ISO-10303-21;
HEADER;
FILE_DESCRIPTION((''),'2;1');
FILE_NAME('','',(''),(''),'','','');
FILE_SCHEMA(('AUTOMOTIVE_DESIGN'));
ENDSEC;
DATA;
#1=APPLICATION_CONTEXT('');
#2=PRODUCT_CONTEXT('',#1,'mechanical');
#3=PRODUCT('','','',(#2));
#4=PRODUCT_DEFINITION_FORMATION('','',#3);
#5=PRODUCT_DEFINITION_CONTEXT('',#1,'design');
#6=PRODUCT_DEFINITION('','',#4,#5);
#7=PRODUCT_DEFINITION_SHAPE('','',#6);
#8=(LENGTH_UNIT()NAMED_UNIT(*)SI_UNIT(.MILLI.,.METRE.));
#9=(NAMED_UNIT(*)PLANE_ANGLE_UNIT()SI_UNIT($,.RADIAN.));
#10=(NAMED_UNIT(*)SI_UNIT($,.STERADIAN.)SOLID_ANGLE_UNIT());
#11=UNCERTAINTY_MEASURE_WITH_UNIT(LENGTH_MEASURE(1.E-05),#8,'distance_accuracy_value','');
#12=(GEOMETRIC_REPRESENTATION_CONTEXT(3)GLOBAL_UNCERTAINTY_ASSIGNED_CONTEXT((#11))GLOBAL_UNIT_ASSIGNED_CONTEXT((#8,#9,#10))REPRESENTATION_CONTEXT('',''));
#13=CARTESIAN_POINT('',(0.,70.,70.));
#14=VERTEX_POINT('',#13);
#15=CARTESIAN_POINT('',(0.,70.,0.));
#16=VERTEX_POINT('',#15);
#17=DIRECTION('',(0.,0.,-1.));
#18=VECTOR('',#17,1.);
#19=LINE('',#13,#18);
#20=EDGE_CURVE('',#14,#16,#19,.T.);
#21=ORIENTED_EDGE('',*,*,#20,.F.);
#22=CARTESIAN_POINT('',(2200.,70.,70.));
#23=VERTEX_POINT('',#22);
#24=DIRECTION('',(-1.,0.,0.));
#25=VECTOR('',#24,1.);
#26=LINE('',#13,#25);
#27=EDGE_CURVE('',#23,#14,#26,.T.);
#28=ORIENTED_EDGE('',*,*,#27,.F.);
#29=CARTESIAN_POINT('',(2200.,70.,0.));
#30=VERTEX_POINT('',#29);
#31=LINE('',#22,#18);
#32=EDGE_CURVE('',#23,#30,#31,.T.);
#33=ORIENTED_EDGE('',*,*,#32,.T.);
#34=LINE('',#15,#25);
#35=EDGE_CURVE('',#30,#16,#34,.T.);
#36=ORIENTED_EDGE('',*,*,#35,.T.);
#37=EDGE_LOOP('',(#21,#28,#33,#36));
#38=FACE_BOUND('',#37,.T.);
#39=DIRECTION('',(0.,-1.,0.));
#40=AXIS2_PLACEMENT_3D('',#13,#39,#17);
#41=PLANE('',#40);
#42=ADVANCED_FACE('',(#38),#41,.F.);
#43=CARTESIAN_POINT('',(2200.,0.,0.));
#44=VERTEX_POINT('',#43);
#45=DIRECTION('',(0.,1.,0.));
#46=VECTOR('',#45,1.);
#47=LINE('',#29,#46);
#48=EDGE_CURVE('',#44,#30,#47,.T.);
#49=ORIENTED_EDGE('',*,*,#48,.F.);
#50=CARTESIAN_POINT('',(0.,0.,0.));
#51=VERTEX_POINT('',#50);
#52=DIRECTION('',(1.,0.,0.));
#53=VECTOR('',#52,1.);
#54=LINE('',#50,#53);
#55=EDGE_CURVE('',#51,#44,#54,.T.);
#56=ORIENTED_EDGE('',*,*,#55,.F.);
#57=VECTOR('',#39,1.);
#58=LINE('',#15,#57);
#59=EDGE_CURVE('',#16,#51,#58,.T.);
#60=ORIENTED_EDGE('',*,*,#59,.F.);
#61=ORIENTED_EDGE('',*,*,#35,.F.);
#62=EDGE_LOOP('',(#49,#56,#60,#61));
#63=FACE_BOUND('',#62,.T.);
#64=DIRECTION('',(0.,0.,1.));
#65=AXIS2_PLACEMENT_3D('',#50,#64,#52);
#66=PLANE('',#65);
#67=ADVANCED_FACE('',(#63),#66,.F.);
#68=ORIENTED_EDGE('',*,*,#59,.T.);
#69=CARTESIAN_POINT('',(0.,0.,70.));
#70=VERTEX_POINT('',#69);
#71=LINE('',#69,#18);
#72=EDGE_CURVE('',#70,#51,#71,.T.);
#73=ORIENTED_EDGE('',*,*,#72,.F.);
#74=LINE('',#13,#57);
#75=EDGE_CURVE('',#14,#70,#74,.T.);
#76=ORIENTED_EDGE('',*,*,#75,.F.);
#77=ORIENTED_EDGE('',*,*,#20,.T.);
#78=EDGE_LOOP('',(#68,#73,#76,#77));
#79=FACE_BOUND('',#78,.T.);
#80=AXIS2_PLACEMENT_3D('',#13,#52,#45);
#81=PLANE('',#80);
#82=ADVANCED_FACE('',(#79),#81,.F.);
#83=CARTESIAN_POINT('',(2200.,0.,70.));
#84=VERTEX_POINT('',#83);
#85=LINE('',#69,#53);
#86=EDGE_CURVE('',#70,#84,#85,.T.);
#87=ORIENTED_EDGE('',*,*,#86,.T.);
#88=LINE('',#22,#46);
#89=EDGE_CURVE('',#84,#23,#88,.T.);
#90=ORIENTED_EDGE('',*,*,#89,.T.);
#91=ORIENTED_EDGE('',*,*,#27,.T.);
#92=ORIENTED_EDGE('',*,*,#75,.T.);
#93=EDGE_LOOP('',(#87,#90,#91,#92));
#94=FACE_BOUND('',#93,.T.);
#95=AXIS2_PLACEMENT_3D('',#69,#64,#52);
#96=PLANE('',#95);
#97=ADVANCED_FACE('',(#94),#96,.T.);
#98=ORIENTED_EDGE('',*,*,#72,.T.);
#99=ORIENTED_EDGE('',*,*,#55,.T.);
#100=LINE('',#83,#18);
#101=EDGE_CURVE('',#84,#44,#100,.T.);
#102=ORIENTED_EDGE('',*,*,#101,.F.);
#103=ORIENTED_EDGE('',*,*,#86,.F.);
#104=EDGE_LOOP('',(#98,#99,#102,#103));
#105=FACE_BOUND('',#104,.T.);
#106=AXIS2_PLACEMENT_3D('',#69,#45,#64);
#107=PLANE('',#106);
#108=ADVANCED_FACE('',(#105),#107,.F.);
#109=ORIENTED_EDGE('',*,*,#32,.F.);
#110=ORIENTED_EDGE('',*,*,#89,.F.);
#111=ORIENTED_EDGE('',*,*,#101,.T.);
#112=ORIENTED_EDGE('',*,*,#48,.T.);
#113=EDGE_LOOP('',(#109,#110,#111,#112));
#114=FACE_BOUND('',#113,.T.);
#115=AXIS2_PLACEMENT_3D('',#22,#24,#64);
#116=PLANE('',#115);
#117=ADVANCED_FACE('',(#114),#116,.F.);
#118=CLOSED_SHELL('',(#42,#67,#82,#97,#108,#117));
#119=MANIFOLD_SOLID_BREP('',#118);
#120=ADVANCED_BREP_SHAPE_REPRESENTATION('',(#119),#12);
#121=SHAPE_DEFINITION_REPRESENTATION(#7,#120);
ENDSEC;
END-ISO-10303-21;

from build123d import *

# Parameters (mm, degrees)
SKETCH_1_W        = 2200
SKETCH_1_H        = 70
EXTRUDE_303_DEPTH = 70


with BuildPart() as part:
    # 草图1 → Extrude 303 (new body)
    with BuildSketch(Plane.XY):
        with Locations((1100, 35)):
            Rectangle(SKETCH_1_W, SKETCH_1_H)
    extrude(amount=EXTRUDE_303_DEPTH)


solid = part.part
